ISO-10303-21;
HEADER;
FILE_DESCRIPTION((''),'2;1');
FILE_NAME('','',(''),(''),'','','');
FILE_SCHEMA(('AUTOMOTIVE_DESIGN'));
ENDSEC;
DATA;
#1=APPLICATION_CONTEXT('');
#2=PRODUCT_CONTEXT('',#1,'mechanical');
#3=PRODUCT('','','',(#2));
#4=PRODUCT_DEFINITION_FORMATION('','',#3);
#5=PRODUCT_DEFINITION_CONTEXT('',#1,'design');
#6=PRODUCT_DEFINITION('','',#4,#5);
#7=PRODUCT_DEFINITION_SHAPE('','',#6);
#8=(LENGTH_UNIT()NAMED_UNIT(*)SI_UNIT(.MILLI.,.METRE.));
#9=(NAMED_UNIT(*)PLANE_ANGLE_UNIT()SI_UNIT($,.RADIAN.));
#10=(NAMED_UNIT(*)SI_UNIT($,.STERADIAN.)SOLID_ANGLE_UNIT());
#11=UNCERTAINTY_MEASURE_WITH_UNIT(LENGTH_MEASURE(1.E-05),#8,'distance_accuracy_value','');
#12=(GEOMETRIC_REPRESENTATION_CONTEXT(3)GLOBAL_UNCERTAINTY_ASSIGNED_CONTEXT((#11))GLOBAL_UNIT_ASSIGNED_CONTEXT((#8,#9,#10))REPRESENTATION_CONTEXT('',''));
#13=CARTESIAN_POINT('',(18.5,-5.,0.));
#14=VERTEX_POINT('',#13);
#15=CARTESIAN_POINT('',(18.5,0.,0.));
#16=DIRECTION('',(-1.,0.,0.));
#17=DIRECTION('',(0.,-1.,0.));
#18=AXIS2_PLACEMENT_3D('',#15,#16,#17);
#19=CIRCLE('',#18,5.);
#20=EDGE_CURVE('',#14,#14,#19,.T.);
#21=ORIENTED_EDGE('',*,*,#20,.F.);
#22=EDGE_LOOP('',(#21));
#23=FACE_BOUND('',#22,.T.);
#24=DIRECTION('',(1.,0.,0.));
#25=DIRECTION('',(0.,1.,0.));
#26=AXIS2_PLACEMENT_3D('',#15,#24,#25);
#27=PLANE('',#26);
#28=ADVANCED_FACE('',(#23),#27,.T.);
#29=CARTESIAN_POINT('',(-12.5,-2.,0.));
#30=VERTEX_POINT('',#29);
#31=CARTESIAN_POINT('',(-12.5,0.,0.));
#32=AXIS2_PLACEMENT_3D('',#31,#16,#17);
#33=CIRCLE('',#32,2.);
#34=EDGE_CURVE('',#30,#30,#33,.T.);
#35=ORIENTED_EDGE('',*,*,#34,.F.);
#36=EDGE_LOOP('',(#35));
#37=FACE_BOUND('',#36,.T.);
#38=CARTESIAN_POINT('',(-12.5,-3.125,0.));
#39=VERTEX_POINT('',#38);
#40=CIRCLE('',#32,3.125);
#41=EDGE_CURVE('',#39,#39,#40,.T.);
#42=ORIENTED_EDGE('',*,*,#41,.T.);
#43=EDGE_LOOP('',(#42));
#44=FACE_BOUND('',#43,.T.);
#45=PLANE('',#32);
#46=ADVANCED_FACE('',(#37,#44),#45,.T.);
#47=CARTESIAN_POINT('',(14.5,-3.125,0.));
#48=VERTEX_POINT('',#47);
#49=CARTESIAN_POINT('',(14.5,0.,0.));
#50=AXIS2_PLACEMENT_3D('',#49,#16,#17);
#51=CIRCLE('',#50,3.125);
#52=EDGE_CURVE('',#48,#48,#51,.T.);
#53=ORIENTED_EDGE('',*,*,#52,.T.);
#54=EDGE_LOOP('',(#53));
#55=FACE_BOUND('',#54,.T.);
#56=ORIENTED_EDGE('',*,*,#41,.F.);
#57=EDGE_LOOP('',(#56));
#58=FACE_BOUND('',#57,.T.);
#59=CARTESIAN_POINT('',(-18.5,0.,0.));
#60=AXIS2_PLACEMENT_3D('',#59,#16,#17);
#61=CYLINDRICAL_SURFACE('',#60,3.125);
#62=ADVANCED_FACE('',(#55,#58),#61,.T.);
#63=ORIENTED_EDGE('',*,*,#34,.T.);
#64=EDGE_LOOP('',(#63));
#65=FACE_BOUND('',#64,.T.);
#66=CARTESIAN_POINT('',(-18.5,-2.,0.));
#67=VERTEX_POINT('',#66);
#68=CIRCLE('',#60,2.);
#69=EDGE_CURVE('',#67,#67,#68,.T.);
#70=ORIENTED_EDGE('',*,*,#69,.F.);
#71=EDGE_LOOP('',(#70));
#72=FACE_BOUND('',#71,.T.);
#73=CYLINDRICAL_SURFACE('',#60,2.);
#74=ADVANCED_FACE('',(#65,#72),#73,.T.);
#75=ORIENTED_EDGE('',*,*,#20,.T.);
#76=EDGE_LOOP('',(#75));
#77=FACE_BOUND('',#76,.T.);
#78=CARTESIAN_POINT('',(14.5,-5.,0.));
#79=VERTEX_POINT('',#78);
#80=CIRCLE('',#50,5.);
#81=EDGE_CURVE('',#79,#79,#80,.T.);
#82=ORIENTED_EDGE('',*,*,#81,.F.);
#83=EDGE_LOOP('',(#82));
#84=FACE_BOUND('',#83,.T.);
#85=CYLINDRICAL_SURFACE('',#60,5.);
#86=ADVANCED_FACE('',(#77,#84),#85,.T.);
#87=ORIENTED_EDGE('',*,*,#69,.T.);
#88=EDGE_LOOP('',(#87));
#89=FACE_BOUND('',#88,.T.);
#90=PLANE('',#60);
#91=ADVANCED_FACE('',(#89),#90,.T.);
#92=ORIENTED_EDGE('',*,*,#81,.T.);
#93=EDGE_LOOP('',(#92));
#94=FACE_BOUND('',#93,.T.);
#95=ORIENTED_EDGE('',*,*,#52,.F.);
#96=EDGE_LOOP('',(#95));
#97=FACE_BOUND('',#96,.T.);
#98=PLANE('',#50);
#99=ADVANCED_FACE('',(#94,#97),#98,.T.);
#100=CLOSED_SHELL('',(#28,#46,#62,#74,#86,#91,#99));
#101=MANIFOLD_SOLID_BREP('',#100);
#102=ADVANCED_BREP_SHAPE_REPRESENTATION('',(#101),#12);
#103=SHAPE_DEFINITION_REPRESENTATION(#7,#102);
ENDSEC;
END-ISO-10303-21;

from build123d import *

# Parameters (mm, degrees)
SKETCH1_W = 6
SKETCH1_H = 2


with BuildPart() as part:
    # Sketch1 → Revolve1 (revolve)
    with BuildSketch(Plane.XY, mode=Mode.PRIVATE) as revolve1_sk:
        Polygon((-12.5, 2), (-12.5, 0), (14.5, 0), (14.5, 3.125), (-12.5, 3.125), align=None)
        with Locations((-15.5, 1)):
            Rectangle(SKETCH1_W, SKETCH1_H)
        Polygon((14.5, 3.125), (14.5, 0), (18.5, 0), (18.5, 5), (14.5, 5), align=None)
    revolve(revolve1_sk.sketch.rotate(Axis((-18.5, 0, 0), (1, 0, 0)), 180), axis=Axis((-18.5, 0, 0), (1, 0, 0)))


solid = part.part
